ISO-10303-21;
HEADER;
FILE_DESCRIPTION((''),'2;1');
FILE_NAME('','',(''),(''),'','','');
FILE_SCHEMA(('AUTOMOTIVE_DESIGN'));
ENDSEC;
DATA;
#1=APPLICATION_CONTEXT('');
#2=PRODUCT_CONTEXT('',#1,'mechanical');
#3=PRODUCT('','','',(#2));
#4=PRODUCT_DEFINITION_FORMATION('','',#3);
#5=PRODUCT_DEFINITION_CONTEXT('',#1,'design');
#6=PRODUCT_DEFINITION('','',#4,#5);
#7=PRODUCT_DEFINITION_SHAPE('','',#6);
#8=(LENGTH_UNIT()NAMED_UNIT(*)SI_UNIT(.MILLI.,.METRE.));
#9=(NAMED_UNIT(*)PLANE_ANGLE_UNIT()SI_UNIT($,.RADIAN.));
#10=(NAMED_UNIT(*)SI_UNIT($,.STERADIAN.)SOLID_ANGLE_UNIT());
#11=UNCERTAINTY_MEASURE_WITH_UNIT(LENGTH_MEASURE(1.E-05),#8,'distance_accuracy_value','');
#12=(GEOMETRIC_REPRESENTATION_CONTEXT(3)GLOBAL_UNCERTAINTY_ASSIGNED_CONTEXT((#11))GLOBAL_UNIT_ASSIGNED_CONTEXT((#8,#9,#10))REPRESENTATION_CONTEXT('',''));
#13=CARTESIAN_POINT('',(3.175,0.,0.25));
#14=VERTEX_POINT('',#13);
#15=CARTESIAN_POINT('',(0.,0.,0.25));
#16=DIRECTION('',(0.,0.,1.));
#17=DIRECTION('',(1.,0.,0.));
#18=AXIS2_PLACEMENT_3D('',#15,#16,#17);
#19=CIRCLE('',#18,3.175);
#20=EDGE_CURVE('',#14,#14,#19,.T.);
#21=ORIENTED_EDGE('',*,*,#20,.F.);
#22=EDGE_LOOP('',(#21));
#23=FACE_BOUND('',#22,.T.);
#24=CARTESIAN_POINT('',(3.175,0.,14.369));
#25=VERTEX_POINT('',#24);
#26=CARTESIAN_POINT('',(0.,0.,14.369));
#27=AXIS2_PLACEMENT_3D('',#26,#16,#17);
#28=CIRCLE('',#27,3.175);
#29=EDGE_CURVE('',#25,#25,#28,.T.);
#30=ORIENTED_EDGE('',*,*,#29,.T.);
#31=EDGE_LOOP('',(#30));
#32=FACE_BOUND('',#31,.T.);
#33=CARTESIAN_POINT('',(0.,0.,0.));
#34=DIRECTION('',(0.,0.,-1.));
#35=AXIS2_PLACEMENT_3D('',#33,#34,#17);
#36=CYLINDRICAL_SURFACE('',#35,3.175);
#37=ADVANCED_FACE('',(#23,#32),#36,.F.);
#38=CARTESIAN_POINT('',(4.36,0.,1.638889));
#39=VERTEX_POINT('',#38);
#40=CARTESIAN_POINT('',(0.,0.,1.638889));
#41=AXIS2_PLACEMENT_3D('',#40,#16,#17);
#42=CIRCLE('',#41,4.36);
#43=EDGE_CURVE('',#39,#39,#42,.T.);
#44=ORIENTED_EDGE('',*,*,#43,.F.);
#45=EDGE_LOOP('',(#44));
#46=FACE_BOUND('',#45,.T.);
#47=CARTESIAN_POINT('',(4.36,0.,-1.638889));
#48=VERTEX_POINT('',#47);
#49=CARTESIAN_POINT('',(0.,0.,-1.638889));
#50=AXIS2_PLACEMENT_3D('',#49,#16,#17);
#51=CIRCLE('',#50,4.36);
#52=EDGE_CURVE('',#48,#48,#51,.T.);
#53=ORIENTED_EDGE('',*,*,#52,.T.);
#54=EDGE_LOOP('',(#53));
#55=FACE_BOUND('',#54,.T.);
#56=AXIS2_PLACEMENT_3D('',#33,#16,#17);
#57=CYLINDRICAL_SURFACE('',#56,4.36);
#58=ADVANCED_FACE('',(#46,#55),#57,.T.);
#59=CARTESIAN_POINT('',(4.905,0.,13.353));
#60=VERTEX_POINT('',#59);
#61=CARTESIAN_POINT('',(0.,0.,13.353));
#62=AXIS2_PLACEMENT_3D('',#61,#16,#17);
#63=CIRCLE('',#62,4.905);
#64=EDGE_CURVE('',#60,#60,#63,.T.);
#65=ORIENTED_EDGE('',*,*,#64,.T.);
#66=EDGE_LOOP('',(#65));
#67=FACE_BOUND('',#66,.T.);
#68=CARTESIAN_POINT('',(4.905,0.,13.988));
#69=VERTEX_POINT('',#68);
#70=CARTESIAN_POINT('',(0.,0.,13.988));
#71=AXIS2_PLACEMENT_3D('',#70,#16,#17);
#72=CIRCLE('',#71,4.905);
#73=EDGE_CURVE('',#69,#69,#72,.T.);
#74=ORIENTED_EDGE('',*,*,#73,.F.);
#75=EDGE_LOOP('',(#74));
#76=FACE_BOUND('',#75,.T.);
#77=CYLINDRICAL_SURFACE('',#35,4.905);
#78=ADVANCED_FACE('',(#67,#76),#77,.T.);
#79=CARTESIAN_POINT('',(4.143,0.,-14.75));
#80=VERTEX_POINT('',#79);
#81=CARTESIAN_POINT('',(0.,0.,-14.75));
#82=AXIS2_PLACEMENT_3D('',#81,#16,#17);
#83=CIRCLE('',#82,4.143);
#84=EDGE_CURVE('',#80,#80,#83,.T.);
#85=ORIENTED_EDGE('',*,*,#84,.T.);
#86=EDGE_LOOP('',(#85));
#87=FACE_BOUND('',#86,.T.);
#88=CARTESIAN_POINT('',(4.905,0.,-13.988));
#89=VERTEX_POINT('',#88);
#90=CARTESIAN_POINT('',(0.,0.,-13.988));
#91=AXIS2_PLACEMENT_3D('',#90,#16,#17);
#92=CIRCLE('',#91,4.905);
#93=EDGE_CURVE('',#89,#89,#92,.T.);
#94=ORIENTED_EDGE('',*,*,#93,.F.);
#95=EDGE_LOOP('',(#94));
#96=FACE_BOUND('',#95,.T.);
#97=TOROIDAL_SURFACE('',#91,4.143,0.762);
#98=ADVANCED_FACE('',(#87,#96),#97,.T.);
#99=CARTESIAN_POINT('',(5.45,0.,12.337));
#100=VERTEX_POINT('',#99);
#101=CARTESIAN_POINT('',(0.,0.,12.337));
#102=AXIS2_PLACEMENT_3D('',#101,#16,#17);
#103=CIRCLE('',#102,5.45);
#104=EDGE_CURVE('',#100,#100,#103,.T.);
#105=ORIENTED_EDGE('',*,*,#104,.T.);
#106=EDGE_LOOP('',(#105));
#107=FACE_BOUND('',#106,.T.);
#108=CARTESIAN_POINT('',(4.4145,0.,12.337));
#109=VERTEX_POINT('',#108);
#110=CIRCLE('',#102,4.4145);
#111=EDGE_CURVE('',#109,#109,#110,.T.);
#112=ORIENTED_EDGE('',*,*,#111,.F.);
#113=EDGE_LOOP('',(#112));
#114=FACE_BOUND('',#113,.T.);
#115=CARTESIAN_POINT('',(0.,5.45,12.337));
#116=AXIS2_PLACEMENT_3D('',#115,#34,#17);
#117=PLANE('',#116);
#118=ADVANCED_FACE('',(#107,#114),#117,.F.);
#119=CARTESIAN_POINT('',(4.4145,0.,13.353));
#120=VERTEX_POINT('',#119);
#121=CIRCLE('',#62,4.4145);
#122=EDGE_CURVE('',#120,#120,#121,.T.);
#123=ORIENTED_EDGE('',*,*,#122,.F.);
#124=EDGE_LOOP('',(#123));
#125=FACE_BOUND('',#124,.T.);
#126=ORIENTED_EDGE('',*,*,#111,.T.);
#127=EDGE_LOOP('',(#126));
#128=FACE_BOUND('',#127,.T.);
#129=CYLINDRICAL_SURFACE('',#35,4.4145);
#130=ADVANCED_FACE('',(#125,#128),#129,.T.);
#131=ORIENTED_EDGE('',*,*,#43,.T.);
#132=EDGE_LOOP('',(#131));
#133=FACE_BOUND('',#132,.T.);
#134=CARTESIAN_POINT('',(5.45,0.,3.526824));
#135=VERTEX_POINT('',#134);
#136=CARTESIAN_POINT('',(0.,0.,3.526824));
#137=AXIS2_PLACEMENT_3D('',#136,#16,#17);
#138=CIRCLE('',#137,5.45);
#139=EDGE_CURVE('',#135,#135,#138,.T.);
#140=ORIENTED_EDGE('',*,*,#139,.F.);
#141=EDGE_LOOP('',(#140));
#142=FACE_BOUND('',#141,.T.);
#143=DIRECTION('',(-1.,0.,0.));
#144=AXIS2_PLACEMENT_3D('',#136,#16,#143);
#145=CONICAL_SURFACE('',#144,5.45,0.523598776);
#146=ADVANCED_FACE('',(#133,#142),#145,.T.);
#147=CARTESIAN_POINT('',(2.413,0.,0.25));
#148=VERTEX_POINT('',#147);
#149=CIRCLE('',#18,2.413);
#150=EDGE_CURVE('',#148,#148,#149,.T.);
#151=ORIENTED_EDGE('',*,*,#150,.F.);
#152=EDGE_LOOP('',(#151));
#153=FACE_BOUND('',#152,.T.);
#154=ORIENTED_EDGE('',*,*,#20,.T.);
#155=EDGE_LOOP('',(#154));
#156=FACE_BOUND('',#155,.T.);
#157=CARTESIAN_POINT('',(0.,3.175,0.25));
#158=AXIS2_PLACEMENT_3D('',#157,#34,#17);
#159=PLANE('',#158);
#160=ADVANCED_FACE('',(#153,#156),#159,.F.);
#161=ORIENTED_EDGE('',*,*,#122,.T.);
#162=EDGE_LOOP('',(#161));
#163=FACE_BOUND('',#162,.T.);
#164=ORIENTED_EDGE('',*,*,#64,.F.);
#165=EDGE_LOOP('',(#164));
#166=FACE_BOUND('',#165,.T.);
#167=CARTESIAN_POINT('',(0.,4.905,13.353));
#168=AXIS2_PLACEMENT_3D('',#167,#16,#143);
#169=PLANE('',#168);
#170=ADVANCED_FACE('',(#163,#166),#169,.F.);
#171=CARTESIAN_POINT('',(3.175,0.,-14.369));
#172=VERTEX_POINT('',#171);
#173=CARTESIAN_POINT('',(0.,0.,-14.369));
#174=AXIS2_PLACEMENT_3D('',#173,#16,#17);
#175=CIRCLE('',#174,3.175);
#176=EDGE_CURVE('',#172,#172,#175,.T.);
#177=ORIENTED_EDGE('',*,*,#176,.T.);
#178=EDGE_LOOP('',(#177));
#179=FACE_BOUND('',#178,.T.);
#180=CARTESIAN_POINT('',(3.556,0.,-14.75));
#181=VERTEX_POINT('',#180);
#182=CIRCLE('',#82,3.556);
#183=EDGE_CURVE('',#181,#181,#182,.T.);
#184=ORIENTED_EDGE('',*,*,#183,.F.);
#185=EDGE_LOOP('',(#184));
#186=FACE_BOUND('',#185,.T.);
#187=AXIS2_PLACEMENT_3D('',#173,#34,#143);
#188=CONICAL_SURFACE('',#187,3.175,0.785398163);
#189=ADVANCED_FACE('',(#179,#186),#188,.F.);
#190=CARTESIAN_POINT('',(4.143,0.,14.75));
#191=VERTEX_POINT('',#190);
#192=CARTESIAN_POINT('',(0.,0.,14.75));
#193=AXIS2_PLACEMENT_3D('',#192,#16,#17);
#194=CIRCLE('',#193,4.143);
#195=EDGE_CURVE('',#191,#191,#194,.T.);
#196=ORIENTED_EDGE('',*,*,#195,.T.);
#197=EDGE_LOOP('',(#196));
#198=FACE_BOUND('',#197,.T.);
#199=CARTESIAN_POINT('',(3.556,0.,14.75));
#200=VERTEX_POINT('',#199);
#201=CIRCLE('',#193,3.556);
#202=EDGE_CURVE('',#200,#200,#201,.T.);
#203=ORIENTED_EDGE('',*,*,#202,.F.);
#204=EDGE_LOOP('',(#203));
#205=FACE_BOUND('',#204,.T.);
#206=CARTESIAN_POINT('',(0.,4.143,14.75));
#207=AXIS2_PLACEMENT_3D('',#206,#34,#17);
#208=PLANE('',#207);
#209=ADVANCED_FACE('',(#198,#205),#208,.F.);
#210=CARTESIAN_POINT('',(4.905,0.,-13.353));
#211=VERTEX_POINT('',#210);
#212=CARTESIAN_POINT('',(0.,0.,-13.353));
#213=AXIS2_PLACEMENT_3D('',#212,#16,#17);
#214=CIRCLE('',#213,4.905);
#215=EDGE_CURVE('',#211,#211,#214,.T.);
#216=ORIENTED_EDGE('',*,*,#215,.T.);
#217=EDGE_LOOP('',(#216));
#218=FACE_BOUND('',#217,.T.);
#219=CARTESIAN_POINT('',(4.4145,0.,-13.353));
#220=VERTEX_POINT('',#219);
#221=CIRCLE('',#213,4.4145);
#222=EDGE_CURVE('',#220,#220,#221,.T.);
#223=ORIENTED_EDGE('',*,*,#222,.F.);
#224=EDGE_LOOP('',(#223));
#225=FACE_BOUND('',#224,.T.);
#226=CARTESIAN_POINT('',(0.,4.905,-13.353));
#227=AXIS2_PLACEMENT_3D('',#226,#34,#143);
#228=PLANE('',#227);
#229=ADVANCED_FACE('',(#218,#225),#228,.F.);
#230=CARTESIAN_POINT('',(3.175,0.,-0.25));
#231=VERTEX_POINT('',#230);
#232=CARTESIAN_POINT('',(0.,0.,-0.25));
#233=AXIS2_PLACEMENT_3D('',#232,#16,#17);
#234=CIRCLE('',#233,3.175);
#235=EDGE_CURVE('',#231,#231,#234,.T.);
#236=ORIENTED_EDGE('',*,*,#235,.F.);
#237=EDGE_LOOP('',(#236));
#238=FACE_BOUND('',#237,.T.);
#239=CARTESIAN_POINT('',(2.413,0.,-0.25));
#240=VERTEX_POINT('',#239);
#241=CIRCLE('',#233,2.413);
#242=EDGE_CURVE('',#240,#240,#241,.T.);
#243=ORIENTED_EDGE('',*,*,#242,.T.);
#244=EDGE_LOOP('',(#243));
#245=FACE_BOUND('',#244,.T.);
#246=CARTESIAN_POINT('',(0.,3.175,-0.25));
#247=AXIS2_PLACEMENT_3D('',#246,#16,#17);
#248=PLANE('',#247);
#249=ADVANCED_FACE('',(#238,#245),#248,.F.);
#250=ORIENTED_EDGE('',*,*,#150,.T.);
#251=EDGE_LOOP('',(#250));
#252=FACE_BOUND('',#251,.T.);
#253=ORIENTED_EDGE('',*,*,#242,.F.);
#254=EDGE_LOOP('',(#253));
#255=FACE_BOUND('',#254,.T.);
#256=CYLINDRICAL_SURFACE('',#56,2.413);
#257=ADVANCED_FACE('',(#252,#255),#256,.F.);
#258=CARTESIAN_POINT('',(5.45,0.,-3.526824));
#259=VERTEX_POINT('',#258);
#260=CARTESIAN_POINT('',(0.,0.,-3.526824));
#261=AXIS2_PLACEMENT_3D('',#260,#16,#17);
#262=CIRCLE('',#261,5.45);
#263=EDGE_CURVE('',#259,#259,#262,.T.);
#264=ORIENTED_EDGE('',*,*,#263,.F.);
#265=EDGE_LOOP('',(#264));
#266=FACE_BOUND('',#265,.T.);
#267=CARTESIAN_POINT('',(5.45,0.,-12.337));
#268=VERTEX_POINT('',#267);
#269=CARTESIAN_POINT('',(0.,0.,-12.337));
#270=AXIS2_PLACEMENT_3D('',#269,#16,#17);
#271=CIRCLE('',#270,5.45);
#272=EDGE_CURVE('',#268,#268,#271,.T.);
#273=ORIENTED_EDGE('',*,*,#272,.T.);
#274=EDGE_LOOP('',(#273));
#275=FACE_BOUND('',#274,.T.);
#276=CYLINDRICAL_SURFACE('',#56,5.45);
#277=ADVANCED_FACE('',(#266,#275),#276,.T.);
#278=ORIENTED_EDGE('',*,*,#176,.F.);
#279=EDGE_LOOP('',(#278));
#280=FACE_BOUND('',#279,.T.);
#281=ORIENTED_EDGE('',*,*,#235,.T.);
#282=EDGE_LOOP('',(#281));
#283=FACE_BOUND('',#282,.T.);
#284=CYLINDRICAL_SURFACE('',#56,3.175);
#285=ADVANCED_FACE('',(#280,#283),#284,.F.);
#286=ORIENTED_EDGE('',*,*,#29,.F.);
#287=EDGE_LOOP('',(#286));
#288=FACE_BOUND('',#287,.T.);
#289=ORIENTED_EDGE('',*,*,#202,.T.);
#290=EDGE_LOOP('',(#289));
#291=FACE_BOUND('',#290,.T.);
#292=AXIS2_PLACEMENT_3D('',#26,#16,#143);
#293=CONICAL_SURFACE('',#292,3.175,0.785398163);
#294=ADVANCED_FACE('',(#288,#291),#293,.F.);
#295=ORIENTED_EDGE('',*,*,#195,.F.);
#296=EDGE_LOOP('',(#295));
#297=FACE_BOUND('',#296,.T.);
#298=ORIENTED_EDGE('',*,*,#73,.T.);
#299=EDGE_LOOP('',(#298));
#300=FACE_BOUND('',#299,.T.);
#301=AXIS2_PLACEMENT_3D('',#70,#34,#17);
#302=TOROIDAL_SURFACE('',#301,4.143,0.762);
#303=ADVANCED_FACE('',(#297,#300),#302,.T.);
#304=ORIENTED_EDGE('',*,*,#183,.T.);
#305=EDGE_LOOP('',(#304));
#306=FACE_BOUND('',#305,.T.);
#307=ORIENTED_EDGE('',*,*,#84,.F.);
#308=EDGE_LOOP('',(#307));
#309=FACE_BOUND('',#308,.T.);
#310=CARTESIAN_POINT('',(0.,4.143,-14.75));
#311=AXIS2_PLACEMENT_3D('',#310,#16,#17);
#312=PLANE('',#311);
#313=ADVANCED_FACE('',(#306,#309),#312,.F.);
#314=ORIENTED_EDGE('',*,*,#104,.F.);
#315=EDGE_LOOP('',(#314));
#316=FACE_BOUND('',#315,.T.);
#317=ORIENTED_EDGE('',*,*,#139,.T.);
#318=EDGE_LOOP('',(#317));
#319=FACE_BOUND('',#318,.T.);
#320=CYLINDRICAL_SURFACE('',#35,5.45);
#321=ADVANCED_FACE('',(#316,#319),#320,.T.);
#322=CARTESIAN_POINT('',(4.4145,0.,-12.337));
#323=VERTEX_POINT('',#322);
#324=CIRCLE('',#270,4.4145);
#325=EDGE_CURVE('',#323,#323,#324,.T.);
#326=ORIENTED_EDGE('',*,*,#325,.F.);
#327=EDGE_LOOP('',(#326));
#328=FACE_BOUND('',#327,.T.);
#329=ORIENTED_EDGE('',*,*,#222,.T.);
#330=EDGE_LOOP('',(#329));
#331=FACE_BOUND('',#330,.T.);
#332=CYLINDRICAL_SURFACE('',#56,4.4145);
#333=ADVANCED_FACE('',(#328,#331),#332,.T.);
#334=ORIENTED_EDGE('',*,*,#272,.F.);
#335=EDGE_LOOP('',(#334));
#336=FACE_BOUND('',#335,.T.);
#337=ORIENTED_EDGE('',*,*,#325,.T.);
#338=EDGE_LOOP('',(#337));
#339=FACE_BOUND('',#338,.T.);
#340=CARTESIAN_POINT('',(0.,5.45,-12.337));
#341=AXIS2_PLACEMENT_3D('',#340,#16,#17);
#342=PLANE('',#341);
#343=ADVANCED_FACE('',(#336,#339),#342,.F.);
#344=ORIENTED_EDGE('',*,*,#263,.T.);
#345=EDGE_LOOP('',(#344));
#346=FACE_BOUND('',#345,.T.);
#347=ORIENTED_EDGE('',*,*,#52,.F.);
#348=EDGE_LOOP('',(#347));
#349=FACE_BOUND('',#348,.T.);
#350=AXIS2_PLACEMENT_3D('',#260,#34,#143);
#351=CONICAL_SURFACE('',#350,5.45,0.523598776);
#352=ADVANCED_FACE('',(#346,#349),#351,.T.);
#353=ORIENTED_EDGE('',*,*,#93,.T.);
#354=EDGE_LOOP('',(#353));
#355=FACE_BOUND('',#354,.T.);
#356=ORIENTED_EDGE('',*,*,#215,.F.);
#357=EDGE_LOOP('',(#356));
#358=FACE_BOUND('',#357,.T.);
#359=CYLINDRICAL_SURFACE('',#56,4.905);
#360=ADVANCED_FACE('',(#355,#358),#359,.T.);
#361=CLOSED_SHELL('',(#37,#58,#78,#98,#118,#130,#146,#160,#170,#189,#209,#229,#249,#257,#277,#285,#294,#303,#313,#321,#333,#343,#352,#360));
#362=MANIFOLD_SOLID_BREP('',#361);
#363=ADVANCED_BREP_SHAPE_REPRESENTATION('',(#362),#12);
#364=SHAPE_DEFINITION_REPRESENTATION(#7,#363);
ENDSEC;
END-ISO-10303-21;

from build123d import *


with BuildPart() as part:
    # Sketch1 → Revolve1 (revolve)
    with BuildSketch(Plane(origin=(0, 0, 0), x_dir=(0, 0, -1), z_dir=(1, 0, 0))):
        with BuildLine():
            Line((13.353, 4.905), (13.988, 4.905))
            ThreePointArc((13.988, 4.905), (14.526815367, 4.681815367), (14.75, 4.143))
            Line((14.75, 4.143), (14.75, 3.556))
            Line((14.75, 3.556), (14.369, 3.175))
            Line((14.369, 3.175), (0.25, 3.175))
            Line((0.25, 3.175), (0.25, 2.413))
            Line((0.25, 2.413), (0, 2.413))
            Line((0, 2.413), (0, 4.36))
            Line((0, 4.36), (1.638888889, 4.36))
            Line((1.638888889, 4.36), (3.526824269, 5.45))
            Line((3.526824269, 5.45), (12.337, 5.45))
            Line((12.337, 5.45), (12.337, 4.4145))
            Line((12.337, 4.4145), (13.353, 4.4145))
            Line((13.353, 4.4145), (13.353, 4.905))
        make_face()
    revolve1 = revolve(axis=Axis((0, 0, 0), (0, 0, -1)))

    # Mirror1: Revolve1 across plane
    add(revolve1.mirror(Plane.XY))


solid = part.part
